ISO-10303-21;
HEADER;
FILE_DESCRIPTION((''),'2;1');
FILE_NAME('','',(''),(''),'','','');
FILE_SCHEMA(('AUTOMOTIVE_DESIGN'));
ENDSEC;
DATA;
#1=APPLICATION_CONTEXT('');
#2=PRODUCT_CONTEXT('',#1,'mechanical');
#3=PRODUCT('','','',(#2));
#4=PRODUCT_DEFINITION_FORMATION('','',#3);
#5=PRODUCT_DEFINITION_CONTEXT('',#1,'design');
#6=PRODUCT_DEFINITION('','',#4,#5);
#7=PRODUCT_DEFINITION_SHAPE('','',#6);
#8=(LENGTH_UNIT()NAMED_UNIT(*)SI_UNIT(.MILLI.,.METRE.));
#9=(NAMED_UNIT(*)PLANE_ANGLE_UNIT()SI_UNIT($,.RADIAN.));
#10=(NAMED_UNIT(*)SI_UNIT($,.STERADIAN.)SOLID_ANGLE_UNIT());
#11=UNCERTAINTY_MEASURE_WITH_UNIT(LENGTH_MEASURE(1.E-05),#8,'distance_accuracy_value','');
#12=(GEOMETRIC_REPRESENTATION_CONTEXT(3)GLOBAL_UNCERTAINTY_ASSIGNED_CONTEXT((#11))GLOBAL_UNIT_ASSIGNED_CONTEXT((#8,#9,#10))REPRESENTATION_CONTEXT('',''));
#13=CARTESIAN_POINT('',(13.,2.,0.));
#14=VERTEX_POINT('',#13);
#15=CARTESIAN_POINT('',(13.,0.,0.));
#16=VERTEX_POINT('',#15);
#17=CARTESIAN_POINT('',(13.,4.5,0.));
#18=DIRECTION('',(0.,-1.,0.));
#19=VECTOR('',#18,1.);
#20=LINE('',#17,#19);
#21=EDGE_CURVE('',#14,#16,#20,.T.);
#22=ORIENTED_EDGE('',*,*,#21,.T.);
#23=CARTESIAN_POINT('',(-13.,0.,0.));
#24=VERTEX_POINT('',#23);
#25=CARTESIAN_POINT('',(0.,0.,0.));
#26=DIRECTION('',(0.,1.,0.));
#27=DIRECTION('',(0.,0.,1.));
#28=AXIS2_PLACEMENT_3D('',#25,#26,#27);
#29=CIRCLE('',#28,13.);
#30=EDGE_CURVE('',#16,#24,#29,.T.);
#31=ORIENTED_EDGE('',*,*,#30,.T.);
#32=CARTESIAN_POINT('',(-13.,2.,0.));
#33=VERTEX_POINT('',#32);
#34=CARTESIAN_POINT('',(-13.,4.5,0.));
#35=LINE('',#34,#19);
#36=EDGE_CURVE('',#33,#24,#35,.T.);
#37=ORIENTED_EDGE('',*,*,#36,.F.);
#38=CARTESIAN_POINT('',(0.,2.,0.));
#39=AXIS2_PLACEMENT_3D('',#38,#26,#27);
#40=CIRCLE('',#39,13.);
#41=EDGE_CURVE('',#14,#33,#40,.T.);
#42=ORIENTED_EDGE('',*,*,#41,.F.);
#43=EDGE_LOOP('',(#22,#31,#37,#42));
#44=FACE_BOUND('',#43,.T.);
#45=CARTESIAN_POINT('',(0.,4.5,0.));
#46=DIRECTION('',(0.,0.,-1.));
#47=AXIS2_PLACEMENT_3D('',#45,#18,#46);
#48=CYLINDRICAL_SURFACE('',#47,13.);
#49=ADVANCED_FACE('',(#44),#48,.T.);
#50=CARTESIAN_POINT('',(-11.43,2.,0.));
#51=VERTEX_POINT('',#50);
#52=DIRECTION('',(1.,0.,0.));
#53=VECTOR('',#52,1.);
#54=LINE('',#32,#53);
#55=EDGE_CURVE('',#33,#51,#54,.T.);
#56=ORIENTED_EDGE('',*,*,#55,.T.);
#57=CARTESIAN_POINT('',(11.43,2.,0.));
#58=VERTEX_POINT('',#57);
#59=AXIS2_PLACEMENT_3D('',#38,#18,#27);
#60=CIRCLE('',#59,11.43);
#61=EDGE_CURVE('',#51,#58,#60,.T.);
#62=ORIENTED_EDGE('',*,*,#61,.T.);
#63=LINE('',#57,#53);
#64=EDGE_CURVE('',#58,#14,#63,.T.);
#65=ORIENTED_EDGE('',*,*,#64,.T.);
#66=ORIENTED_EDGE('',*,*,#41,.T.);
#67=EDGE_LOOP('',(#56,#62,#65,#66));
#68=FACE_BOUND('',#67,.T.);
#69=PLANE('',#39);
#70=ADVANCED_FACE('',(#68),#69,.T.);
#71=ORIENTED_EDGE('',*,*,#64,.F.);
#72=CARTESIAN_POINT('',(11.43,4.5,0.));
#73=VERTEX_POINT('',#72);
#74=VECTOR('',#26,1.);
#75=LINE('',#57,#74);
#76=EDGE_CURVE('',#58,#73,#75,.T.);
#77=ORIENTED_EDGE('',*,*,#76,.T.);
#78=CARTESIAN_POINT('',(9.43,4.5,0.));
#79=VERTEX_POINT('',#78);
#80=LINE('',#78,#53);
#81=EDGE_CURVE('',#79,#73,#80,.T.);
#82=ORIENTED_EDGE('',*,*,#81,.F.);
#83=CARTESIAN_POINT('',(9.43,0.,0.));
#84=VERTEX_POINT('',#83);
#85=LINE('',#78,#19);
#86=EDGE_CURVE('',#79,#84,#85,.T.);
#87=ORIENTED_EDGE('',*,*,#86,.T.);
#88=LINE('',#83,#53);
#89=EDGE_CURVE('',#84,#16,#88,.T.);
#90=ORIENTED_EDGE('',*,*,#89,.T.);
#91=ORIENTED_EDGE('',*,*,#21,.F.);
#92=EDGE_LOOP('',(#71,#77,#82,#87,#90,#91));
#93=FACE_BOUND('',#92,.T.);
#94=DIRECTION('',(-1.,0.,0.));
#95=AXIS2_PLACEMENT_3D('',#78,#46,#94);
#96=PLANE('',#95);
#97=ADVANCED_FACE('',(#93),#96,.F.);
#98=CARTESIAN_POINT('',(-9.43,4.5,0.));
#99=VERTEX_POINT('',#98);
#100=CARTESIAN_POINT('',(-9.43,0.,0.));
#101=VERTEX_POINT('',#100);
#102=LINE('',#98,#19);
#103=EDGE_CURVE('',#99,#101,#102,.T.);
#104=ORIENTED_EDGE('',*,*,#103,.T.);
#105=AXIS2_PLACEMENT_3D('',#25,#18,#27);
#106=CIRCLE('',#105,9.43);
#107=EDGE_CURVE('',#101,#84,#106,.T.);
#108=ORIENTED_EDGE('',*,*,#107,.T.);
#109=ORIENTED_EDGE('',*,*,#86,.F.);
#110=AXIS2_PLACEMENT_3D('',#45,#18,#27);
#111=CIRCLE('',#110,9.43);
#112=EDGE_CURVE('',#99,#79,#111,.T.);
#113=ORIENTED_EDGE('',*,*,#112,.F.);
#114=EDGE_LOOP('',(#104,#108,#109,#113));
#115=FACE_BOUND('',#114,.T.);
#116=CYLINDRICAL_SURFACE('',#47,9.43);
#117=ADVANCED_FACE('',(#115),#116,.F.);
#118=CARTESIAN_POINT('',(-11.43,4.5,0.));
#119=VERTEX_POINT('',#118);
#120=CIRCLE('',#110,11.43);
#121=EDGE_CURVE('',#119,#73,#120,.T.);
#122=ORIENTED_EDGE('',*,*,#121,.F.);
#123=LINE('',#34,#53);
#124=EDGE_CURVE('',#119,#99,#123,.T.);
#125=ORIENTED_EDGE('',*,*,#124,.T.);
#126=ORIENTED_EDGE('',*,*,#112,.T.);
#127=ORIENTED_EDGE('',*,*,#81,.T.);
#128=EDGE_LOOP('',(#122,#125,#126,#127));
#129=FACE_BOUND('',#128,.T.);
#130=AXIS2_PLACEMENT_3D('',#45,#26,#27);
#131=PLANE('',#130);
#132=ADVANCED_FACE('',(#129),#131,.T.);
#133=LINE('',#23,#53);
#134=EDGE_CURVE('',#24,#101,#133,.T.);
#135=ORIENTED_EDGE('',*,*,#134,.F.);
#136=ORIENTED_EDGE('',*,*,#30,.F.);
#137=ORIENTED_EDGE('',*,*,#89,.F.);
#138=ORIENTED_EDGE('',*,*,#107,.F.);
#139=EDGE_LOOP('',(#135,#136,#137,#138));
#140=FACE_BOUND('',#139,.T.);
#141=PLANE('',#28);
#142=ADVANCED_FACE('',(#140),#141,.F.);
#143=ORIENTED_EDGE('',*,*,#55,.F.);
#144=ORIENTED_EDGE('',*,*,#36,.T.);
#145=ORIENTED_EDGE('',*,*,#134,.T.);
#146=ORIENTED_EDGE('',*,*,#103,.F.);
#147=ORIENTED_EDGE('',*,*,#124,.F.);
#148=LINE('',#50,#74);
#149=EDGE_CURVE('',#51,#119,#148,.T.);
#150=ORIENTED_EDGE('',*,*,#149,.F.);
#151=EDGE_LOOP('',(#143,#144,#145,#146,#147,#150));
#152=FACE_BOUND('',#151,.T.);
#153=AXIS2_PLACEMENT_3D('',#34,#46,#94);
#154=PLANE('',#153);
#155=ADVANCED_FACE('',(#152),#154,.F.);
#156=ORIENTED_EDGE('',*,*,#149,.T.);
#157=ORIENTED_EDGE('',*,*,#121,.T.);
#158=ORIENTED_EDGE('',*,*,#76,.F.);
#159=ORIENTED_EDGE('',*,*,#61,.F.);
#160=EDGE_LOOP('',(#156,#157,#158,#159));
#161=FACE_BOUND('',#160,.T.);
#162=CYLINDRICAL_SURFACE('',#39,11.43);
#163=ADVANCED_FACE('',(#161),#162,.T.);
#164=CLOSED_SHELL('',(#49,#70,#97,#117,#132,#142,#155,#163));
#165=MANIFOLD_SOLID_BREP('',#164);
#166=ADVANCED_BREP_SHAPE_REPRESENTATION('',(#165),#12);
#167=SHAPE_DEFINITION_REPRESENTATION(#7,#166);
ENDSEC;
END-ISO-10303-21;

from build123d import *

# Parameters (mm, degrees)
BOSS_EXTRUDE1_DEPTH = 4.5
CUT_EXTRUDE1_DEPTH  = 2.5


with BuildPart() as part:
    # Sketch1 → Boss-Extrude1 (new body)
    with BuildSketch(Plane(origin=(0, 0, 0), x_dir=(1, 0, 0), z_dir=(0, 1, 0))):
        with BuildLine():
            Line((-13, 0), (-9.43, 0))
            ThreePointArc((-9.43, 0), (0, 9.43), (9.43, 0))
            Line((9.43, 0), (13, 0))
            ThreePointArc((13, 0), (0, 13), (-13, 0))
        make_face()
    extrude(amount=BOSS_EXTRUDE1_DEPTH)

    # Sketch2 → Cut-Extrude1 (cut)
    with BuildSketch(Plane(origin=(0, 4.5, 0), x_dir=(1, 0, 0), z_dir=(0, 1, 0))):
        with BuildLine():
            Line((-13, 0), (-11.43, 0))
            ThreePointArc((-11.43, 0), (0, 11.43), (11.43, 0))
            Line((11.43, 0), (13, 0))
            ThreePointArc((13, 0), (0, 13), (-13, 0))
        make_face()
    extrude(amount=-CUT_EXTRUDE1_DEPTH, mode=Mode.SUBTRACT)


solid = part.part
